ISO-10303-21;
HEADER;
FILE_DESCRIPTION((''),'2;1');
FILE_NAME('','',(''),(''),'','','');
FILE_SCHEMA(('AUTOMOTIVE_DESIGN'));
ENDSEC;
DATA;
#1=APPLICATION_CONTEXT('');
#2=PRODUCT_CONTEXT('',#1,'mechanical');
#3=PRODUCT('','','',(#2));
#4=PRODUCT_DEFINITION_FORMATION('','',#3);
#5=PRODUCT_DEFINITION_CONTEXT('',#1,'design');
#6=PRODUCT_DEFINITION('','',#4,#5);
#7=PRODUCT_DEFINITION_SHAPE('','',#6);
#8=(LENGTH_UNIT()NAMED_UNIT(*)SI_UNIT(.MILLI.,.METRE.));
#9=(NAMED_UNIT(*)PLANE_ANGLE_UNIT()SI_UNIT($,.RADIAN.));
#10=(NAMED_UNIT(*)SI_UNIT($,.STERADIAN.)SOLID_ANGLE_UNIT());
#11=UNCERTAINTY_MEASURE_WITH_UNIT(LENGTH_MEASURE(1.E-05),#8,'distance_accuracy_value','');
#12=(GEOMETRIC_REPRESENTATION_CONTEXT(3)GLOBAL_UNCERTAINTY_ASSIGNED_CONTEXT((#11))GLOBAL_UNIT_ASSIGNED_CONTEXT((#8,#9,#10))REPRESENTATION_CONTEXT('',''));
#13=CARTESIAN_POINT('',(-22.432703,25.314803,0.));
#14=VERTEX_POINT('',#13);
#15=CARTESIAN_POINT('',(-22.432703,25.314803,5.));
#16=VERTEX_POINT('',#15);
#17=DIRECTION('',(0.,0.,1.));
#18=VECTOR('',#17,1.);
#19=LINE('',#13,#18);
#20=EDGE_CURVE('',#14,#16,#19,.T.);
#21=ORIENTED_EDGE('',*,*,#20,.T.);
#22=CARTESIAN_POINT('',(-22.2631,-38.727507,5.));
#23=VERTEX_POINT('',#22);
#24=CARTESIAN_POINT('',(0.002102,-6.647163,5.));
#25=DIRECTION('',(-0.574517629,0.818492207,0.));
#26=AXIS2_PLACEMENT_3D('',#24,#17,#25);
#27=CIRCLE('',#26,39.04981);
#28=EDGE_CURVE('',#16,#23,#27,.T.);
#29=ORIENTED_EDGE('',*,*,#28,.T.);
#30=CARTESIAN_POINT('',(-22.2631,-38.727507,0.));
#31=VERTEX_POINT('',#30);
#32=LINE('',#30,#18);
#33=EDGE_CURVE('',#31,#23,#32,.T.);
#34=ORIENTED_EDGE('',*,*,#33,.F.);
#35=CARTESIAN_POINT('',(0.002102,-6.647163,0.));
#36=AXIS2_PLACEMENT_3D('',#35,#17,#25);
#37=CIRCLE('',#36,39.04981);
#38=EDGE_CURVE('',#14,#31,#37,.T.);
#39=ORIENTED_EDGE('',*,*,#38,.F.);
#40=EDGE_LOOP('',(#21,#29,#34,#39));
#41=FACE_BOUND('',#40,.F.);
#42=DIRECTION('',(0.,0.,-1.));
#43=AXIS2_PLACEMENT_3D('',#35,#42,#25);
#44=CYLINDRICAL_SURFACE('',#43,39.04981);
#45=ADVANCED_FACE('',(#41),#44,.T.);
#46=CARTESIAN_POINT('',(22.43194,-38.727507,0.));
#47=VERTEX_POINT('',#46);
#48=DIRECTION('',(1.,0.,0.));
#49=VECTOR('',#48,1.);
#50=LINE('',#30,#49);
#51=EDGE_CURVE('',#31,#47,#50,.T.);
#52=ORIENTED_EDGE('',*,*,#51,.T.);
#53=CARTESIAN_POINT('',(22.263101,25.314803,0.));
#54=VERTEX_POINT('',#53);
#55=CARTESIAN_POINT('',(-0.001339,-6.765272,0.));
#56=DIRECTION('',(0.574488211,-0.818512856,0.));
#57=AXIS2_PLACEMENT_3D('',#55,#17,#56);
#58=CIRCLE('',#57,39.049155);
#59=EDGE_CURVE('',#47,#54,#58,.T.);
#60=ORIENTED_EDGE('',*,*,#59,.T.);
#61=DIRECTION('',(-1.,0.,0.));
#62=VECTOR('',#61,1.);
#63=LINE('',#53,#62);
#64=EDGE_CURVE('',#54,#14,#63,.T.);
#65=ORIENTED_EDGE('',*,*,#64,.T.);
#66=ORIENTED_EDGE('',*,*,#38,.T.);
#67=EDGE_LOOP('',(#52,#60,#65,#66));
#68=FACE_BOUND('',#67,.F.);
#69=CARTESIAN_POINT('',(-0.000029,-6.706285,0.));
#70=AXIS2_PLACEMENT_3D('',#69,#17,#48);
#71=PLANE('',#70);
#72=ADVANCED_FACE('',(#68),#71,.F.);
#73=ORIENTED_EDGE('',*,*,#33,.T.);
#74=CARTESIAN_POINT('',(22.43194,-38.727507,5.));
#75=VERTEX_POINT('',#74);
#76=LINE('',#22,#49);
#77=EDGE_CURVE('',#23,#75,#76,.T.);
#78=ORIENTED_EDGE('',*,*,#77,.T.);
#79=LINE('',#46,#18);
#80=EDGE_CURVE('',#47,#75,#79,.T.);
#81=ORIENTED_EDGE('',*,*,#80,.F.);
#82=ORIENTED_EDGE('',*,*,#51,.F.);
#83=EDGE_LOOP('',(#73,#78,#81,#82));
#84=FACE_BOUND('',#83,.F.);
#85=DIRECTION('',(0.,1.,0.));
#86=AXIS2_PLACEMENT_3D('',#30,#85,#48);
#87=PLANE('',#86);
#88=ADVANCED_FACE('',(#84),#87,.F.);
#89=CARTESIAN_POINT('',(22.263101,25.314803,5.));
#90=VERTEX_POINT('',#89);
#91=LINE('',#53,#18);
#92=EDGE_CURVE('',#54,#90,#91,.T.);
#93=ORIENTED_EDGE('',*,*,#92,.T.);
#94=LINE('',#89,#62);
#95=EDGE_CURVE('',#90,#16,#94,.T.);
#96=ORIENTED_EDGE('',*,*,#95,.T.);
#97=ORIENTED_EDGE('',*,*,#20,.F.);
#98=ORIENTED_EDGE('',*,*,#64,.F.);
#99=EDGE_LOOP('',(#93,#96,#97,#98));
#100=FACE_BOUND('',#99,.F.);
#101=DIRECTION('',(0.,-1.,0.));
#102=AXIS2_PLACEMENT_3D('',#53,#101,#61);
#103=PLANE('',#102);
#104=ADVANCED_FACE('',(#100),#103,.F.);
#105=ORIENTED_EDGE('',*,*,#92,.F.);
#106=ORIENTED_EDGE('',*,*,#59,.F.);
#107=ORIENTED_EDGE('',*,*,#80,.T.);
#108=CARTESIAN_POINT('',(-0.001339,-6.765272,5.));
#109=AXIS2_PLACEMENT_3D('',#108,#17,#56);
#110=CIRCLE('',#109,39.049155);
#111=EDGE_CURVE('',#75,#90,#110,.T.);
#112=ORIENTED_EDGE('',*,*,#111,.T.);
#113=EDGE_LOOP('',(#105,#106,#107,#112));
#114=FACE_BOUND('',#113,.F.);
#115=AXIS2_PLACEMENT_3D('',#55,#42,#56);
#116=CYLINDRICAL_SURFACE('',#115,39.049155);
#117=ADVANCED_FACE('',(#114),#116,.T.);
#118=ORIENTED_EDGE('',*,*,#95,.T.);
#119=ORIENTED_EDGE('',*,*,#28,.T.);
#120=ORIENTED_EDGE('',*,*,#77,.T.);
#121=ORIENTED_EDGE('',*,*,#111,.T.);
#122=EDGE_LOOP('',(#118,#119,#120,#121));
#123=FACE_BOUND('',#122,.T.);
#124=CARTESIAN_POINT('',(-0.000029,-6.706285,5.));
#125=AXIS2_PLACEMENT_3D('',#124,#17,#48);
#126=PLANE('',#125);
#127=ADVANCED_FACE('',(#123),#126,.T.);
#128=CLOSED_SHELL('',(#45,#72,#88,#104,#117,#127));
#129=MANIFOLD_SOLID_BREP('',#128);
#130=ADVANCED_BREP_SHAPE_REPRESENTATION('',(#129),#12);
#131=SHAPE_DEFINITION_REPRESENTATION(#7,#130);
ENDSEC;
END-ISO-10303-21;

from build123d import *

# Parameters (mm, degrees)
PAD_1_DEPTH = 5


with BuildPart() as part:
    # Sketch_1 → Pad_1 (new body)
    with BuildSketch(Plane.XY):
        with BuildLine():
            ThreePointArc((22.43194, -38.727507), (39.04768, -6.662324), (22.263101, 25.314803))
            Line((22.263101, 25.314803), (-22.432703, 25.314803))
            ThreePointArc((-22.432703, 25.314803), (-39.047572, -6.750578), (-22.2631, -38.727507))
            Line((-22.2631, -38.727507), (22.43194, -38.727507))
        make_face()
    extrude(amount=PAD_1_DEPTH)


solid = part.part
